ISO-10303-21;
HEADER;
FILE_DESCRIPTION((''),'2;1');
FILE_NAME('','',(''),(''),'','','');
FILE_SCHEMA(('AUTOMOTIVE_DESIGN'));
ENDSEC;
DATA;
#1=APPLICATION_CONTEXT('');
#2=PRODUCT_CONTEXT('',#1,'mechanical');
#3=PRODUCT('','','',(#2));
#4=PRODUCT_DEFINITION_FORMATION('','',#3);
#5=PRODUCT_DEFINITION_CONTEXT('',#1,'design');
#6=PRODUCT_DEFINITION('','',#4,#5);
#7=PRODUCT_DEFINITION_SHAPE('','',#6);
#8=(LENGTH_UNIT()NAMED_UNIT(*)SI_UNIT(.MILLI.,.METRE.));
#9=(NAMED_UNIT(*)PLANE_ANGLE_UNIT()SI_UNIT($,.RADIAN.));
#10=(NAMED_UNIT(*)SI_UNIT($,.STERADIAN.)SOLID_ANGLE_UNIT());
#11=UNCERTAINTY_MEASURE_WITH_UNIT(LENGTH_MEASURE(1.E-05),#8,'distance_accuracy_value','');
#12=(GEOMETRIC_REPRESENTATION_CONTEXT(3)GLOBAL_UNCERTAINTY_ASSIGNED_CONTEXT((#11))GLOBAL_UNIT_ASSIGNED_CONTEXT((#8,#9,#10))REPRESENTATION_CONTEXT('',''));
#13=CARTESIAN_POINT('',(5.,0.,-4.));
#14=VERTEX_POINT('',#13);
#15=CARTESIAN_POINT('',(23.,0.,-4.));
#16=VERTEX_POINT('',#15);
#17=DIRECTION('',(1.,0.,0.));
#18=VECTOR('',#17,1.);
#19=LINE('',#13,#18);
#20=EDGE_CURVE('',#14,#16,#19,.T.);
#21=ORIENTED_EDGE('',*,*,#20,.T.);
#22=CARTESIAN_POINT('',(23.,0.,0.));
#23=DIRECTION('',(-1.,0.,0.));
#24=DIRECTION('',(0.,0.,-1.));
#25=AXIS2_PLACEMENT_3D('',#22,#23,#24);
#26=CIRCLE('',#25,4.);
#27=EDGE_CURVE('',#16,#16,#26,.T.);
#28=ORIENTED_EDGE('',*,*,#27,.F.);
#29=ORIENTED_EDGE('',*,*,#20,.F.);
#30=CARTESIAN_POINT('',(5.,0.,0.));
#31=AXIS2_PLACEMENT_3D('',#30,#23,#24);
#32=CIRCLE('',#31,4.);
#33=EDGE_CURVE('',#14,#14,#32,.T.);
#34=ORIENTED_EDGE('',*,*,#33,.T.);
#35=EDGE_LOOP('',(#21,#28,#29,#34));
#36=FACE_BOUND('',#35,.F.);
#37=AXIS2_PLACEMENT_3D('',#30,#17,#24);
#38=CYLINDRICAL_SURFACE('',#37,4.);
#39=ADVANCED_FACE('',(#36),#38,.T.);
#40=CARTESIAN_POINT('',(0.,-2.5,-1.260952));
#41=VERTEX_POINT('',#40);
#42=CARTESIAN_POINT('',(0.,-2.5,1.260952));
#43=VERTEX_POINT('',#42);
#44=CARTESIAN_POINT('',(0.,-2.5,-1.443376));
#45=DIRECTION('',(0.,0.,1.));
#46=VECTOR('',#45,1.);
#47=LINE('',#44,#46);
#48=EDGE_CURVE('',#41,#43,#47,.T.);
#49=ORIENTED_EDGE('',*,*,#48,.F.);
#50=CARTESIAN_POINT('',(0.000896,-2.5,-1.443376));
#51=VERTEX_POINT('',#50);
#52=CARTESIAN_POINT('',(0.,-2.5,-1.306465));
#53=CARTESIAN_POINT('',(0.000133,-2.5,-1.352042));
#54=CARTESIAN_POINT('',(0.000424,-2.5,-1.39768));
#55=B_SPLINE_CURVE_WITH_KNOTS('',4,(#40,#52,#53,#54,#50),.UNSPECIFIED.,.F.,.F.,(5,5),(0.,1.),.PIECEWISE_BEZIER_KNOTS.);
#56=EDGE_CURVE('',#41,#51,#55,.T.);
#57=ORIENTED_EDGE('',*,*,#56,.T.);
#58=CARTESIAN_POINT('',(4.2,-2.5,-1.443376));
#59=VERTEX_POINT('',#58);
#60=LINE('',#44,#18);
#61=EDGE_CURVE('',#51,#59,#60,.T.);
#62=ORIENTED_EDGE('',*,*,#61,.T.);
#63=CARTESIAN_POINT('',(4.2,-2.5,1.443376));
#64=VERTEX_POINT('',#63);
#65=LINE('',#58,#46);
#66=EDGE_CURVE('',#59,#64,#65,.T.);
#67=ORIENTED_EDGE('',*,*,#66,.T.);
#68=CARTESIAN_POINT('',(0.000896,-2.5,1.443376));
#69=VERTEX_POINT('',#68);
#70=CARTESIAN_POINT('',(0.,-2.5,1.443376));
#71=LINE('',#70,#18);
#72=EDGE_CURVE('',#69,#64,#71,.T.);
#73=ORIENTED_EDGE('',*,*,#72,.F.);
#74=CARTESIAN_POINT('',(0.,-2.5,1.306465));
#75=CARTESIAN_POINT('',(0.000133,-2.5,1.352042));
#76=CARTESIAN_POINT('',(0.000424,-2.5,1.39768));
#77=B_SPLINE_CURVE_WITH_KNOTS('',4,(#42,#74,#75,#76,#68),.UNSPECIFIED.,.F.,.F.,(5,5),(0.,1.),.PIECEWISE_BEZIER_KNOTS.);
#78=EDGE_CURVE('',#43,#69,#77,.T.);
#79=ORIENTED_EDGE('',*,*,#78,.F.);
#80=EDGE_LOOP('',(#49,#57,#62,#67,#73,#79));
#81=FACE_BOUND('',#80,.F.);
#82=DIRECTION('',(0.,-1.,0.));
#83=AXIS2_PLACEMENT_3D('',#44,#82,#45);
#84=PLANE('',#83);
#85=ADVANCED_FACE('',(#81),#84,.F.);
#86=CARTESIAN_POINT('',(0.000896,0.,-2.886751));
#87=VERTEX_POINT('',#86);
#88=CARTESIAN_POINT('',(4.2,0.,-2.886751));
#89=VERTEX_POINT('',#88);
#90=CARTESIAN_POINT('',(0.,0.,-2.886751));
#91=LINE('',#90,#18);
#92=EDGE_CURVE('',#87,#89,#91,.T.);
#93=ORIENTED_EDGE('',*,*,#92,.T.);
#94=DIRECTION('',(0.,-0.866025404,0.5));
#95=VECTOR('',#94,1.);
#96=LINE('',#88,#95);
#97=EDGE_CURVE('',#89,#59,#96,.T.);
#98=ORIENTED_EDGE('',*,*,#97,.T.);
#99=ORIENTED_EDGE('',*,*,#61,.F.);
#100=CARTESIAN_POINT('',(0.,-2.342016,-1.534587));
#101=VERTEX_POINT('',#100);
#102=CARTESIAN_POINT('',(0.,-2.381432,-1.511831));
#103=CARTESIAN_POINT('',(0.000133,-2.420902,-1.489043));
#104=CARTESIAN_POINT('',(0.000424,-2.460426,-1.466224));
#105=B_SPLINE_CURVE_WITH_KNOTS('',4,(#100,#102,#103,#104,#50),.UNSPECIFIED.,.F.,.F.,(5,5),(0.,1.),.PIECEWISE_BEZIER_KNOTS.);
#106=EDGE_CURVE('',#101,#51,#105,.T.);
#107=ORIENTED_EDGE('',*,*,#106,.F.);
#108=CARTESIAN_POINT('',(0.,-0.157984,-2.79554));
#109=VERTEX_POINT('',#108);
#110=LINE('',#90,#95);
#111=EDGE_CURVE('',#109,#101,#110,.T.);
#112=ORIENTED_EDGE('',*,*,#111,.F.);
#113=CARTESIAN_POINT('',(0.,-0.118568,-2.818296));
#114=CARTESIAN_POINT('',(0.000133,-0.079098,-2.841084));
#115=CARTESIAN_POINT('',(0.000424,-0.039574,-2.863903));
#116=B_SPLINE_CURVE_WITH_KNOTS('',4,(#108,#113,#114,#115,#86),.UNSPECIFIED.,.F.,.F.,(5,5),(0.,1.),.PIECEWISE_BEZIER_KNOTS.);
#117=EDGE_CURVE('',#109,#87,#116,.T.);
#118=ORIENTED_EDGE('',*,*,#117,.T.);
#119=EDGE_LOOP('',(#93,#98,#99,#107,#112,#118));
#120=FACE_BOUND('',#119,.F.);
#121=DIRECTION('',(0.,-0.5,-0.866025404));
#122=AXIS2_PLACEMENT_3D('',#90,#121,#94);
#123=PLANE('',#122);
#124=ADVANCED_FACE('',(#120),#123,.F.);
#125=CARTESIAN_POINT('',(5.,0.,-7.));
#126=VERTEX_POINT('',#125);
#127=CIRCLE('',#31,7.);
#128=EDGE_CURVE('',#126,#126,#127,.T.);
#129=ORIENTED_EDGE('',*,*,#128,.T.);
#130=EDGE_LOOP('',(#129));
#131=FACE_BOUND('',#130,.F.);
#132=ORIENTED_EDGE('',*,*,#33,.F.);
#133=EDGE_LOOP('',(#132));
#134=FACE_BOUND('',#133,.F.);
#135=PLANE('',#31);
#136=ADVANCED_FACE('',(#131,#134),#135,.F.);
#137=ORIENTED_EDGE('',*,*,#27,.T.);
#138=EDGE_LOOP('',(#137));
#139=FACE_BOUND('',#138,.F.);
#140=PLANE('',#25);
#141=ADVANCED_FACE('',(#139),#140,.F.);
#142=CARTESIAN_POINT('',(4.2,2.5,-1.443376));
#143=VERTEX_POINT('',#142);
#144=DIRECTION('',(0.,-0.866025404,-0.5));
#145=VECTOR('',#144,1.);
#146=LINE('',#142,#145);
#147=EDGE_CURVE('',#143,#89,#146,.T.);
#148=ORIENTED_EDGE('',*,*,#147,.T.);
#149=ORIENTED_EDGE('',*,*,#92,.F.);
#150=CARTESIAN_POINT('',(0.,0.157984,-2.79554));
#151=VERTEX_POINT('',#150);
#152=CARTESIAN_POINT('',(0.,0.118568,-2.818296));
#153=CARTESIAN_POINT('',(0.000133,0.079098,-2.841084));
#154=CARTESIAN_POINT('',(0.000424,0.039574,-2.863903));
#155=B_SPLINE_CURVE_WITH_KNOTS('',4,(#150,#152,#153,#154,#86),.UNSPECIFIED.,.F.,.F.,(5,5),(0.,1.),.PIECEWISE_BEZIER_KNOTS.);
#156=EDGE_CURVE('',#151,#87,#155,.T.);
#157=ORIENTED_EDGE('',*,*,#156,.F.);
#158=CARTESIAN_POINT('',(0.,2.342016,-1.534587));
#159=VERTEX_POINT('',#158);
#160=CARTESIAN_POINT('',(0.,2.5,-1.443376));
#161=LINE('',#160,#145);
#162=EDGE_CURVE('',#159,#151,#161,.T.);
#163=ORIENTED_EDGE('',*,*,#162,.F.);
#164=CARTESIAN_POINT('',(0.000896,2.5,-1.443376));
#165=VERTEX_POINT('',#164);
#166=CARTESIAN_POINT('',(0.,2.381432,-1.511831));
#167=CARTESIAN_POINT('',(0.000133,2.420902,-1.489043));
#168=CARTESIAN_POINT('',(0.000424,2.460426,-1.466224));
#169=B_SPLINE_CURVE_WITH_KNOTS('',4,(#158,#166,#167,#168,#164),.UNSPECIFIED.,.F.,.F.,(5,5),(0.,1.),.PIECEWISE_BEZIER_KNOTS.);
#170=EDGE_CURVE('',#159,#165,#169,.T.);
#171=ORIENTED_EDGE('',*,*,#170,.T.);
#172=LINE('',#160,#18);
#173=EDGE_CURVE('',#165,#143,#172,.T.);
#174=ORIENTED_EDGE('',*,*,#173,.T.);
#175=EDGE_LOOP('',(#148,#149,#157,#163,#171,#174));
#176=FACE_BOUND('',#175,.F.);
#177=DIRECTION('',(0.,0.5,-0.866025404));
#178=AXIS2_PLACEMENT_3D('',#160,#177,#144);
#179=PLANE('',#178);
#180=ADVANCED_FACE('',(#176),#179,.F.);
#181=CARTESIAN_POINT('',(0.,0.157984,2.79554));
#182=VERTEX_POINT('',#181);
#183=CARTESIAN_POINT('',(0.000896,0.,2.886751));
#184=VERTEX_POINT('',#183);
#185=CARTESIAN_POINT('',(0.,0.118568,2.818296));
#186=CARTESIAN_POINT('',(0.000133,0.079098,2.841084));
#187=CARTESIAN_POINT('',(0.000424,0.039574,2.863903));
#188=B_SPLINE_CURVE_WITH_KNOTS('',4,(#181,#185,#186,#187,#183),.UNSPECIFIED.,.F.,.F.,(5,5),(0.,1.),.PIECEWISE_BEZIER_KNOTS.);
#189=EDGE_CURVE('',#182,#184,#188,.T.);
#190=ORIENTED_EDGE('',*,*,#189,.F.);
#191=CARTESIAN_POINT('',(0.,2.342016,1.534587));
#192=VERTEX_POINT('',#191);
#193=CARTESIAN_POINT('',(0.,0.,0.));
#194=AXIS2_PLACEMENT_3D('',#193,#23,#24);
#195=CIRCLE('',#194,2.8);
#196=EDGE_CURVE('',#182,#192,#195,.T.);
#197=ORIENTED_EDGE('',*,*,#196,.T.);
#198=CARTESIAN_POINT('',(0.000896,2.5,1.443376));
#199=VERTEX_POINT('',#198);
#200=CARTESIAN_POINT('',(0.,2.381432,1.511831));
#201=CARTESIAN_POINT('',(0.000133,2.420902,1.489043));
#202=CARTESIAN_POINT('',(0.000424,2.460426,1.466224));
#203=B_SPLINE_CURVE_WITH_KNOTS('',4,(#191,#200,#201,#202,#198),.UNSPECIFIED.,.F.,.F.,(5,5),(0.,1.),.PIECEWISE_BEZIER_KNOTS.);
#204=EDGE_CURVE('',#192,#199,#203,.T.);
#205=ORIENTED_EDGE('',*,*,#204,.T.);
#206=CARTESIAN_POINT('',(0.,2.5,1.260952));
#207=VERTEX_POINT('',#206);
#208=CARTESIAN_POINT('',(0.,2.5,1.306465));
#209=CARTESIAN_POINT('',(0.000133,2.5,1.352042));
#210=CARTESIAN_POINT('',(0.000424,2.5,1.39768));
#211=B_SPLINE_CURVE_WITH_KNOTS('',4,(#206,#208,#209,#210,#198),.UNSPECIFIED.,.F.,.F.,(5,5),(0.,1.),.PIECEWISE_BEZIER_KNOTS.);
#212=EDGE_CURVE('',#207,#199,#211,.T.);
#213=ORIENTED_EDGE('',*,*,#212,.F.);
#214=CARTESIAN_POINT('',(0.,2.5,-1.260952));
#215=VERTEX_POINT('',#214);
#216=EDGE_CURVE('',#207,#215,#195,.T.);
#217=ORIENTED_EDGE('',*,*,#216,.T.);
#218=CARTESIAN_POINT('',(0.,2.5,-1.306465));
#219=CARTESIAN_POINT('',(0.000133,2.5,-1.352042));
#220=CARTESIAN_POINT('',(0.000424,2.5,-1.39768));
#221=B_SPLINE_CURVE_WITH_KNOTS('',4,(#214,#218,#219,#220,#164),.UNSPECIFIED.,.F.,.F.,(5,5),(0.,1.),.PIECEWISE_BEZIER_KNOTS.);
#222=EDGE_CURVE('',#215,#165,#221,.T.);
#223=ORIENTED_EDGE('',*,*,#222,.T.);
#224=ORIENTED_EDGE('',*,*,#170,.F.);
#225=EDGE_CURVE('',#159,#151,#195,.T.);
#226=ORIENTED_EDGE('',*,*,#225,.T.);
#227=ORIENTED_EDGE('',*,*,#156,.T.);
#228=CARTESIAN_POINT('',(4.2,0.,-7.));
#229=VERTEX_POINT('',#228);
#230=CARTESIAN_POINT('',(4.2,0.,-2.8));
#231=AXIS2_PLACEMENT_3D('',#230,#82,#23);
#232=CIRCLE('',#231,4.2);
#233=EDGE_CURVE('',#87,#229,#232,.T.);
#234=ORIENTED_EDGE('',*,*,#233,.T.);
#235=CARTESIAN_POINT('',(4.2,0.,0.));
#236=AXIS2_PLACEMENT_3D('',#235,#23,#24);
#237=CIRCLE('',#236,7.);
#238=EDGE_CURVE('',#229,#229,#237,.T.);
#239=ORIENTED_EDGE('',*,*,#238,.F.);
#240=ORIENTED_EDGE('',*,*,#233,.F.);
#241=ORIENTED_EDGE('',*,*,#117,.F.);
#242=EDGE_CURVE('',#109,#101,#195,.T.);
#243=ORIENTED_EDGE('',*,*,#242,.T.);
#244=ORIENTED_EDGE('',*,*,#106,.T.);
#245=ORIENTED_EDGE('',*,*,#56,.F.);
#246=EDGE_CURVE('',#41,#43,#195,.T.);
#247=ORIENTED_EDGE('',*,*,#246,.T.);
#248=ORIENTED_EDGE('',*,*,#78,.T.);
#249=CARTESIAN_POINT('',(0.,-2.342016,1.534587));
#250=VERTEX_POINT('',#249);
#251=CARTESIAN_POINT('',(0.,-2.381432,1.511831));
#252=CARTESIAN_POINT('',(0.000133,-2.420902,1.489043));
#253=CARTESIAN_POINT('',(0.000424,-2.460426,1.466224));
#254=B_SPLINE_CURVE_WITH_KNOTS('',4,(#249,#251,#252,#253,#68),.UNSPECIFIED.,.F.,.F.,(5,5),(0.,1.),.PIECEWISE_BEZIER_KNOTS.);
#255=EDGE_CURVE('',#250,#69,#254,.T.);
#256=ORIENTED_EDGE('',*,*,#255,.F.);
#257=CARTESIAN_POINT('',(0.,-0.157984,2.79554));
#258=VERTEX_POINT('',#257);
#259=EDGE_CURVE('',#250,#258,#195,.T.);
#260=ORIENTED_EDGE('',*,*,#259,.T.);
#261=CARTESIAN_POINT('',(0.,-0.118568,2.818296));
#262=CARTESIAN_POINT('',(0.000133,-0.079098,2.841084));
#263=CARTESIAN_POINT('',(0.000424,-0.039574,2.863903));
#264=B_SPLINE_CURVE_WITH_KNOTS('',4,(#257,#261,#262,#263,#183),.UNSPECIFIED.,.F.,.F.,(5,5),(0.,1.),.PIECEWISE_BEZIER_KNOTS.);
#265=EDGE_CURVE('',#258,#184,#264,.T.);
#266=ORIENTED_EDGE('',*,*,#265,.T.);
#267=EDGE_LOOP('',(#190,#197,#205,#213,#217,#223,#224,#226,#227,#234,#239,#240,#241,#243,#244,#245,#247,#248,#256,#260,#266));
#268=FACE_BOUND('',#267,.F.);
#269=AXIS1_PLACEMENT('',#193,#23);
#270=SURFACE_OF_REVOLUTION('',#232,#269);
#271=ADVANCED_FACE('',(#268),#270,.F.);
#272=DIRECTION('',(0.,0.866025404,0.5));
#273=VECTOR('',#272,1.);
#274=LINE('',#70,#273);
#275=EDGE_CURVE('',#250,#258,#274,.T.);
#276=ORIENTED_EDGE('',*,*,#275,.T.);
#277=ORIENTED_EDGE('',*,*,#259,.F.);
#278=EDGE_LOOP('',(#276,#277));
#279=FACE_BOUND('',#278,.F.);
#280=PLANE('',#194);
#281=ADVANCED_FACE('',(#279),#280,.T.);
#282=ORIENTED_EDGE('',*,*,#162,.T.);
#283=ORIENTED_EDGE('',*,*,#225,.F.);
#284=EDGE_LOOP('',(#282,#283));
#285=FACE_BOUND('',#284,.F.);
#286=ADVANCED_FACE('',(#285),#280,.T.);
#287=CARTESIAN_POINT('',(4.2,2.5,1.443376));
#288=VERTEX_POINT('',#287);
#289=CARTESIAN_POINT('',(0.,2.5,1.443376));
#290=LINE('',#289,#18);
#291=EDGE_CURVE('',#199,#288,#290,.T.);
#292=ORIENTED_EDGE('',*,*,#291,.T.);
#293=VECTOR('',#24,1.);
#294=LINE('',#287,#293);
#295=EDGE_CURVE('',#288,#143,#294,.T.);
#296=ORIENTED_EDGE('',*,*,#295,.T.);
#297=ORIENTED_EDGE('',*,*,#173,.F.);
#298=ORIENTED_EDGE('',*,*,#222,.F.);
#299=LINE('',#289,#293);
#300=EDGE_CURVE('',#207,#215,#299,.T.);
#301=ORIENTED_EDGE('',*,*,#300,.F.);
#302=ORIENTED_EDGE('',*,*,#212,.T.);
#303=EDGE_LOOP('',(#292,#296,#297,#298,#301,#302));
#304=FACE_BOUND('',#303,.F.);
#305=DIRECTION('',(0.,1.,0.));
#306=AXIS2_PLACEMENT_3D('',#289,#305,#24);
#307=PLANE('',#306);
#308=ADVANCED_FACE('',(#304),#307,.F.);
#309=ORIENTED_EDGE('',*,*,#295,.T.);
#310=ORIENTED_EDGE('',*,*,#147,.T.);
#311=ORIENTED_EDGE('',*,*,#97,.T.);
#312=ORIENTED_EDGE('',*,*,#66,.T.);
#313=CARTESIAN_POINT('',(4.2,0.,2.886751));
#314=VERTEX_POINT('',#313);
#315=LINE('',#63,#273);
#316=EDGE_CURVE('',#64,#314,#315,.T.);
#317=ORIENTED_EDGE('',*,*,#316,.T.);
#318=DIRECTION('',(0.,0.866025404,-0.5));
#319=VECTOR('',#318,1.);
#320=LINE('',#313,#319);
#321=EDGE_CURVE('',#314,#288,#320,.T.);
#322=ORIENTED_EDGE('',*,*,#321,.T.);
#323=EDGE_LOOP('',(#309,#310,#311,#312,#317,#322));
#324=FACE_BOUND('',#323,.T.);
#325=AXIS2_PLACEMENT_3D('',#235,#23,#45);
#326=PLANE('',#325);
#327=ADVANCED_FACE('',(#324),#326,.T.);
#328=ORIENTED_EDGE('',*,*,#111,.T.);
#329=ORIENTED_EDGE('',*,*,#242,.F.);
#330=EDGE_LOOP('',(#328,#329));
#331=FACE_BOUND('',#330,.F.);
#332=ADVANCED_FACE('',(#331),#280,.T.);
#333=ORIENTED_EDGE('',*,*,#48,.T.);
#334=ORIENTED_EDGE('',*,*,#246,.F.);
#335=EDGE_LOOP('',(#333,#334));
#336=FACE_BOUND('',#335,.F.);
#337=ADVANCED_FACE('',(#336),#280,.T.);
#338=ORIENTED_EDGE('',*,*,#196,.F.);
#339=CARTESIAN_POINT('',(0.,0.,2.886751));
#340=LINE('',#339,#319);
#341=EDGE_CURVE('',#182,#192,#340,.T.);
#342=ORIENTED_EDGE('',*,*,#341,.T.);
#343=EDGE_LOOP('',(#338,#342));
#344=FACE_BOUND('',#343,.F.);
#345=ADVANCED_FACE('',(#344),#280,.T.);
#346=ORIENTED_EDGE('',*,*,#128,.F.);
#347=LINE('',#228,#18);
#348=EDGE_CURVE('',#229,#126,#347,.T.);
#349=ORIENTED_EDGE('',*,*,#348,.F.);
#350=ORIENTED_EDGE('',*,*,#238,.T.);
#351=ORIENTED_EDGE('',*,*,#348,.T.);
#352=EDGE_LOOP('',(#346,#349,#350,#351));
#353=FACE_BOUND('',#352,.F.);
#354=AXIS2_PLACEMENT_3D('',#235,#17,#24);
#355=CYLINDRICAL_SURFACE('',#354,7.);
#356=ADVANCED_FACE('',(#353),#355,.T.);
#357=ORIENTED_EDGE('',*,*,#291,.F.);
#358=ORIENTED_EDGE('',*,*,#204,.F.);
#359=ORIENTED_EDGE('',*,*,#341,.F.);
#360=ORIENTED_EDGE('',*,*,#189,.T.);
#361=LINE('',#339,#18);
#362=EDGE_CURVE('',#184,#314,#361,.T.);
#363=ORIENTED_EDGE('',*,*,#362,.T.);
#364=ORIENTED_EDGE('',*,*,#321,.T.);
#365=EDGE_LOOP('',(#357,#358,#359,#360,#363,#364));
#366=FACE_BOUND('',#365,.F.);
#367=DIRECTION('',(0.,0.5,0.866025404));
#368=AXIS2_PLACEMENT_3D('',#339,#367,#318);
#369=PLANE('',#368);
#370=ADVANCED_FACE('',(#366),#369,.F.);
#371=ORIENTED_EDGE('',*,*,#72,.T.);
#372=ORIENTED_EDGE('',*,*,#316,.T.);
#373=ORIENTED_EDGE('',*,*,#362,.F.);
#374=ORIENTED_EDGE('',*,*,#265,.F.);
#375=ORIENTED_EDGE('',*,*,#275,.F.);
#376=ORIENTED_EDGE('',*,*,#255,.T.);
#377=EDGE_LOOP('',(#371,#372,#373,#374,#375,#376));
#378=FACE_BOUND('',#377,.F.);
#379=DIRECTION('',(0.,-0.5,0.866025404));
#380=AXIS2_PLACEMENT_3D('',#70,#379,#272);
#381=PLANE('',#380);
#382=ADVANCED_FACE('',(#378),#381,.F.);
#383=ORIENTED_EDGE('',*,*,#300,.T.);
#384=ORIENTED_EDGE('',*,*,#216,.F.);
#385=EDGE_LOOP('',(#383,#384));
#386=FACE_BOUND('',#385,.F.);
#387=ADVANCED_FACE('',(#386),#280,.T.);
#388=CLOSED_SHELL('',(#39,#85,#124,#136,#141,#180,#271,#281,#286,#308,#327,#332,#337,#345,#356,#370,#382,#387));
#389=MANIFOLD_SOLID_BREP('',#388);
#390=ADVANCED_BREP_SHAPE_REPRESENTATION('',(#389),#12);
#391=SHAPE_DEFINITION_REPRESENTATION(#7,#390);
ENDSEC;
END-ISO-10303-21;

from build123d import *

# Parameters (mm, degrees)
CUT_EXTRUDE1_DEPTH = 4.2


with BuildPart() as part:
    # Sketch1 → Revolve1 (revolve)
    with BuildSketch(Plane.XY, mode=Mode.PRIVATE) as revolve1_sk:
        with BuildLine():
            Line((0, 0), (0, 2.8))
            ThreePointArc((0, 2.8), (1.230151519, 5.769848481), (4.2, 7))
            Line((4.2, 7), (5, 7))
            Line((5, 7), (5, 4))
            Line((5, 4), (23, 4))
            Line((23, 4), (23, 0))
            Line((23, 0), (0, 0))
        make_face()
    revolve(revolve1_sk.sketch.rotate(Axis((0, 0, 0), (-1, 0, 0)), 90), axis=Axis((0, 0, 0), (-1, 0, 0)))

    # Sketch2 → Cut-Extrude1 (cut)
    with BuildSketch(Plane.ZY):
        Polygon((2.886751346, 0), (1.443375673, 2.5), (-1.443375673, 2.5), (-2.886751346, 0), (-1.443375673, -2.5), (1.443375673, -2.5), align=None)
    extrude(amount=-CUT_EXTRUDE1_DEPTH, mode=Mode.SUBTRACT)


solid = part.part
